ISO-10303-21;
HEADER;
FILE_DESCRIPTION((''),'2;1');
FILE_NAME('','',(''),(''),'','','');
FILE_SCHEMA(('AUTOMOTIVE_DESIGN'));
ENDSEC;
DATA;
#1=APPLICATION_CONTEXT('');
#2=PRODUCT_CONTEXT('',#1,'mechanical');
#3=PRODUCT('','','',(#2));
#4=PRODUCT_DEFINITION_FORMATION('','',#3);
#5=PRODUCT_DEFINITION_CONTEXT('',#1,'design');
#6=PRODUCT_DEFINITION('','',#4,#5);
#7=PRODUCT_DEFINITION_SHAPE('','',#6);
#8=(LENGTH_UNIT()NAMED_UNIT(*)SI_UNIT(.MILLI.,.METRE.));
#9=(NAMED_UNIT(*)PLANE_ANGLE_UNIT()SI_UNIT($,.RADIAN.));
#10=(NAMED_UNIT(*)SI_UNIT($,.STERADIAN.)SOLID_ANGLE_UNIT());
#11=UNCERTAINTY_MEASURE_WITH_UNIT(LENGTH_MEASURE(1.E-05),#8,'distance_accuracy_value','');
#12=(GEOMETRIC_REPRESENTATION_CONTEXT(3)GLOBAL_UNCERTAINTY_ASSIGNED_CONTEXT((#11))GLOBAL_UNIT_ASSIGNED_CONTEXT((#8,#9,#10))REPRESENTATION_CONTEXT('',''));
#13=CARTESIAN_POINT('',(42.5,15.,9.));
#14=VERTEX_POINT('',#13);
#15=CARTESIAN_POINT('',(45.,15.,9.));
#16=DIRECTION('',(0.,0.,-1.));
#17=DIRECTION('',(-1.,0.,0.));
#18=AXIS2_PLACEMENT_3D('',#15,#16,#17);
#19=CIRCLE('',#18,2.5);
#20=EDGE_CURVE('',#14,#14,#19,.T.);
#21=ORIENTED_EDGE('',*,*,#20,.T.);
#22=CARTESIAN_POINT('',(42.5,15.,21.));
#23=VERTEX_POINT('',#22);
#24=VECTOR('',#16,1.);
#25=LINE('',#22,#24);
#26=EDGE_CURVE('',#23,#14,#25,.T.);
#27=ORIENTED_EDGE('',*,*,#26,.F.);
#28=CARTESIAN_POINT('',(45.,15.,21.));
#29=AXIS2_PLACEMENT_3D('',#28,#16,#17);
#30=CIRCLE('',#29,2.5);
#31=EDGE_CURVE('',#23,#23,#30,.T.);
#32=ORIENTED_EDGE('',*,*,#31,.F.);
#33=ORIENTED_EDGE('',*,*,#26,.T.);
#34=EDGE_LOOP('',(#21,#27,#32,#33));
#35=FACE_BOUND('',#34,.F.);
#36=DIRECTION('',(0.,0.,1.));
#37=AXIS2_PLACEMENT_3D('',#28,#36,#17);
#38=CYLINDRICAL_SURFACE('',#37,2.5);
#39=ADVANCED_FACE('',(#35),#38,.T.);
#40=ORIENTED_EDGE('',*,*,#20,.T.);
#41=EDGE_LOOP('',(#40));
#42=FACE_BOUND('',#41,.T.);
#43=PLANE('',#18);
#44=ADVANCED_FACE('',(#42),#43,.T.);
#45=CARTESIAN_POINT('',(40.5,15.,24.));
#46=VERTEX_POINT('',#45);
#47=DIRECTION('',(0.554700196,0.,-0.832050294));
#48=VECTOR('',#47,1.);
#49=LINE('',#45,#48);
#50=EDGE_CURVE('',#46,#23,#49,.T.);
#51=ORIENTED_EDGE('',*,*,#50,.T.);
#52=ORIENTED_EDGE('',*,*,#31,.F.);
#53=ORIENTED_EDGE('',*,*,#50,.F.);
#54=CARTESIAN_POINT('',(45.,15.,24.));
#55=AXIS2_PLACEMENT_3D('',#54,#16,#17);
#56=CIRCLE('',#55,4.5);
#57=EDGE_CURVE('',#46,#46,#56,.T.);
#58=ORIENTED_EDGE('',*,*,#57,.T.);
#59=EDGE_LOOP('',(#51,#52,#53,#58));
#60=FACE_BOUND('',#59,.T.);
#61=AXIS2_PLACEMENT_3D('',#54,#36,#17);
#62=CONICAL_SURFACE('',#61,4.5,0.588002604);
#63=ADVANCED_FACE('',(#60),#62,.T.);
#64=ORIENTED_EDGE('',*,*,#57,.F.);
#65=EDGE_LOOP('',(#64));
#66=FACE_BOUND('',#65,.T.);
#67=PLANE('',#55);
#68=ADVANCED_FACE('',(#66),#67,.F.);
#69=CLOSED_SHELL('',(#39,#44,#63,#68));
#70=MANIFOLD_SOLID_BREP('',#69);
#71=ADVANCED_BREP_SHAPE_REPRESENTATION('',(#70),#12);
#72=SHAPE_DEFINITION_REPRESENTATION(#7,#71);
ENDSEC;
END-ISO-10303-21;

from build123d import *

# Parameters (mm, degrees)
CYLINDER010_R                = 2.5
CYLINDER010_DEPTH            = 12
FUSION001018_PLACEMENT_ANGLE = 180


with BuildPart() as cone002:
    # Cone002 → Cone002 (revolve)
    with BuildSketch(Plane(origin=(0, 0, -3), x_dir=(1, 0, 0), z_dir=(0, -1, 0))):
        Polygon((0, 0), (4.5, 0), (2.5, 3), (0, 3), align=None)
    revolve(axis=Axis((0, 0, -3), (0, 0, 1)))


with BuildPart() as m5x12_senkkopf:
    # Cylinder010 → Cylinder010 (new body)
    with BuildSketch(Plane.XY):
        Circle(CYLINDER010_R)
    extrude(amount=CYLINDER010_DEPTH)

    # Fusion001018: union Cone002
    add(cone002.part)


with BuildPart() as m5x12_senkkopf_1:
    # Fusion001018 placement: moved
    add(m5x12_senkkopf.part.moved(Location((45, 15, 21))).rotate(Axis((45, 15, 21), (0, 1, 0)), FUSION001018_PLACEMENT_ANGLE))


solid = m5x12_senkkopf_1.part
